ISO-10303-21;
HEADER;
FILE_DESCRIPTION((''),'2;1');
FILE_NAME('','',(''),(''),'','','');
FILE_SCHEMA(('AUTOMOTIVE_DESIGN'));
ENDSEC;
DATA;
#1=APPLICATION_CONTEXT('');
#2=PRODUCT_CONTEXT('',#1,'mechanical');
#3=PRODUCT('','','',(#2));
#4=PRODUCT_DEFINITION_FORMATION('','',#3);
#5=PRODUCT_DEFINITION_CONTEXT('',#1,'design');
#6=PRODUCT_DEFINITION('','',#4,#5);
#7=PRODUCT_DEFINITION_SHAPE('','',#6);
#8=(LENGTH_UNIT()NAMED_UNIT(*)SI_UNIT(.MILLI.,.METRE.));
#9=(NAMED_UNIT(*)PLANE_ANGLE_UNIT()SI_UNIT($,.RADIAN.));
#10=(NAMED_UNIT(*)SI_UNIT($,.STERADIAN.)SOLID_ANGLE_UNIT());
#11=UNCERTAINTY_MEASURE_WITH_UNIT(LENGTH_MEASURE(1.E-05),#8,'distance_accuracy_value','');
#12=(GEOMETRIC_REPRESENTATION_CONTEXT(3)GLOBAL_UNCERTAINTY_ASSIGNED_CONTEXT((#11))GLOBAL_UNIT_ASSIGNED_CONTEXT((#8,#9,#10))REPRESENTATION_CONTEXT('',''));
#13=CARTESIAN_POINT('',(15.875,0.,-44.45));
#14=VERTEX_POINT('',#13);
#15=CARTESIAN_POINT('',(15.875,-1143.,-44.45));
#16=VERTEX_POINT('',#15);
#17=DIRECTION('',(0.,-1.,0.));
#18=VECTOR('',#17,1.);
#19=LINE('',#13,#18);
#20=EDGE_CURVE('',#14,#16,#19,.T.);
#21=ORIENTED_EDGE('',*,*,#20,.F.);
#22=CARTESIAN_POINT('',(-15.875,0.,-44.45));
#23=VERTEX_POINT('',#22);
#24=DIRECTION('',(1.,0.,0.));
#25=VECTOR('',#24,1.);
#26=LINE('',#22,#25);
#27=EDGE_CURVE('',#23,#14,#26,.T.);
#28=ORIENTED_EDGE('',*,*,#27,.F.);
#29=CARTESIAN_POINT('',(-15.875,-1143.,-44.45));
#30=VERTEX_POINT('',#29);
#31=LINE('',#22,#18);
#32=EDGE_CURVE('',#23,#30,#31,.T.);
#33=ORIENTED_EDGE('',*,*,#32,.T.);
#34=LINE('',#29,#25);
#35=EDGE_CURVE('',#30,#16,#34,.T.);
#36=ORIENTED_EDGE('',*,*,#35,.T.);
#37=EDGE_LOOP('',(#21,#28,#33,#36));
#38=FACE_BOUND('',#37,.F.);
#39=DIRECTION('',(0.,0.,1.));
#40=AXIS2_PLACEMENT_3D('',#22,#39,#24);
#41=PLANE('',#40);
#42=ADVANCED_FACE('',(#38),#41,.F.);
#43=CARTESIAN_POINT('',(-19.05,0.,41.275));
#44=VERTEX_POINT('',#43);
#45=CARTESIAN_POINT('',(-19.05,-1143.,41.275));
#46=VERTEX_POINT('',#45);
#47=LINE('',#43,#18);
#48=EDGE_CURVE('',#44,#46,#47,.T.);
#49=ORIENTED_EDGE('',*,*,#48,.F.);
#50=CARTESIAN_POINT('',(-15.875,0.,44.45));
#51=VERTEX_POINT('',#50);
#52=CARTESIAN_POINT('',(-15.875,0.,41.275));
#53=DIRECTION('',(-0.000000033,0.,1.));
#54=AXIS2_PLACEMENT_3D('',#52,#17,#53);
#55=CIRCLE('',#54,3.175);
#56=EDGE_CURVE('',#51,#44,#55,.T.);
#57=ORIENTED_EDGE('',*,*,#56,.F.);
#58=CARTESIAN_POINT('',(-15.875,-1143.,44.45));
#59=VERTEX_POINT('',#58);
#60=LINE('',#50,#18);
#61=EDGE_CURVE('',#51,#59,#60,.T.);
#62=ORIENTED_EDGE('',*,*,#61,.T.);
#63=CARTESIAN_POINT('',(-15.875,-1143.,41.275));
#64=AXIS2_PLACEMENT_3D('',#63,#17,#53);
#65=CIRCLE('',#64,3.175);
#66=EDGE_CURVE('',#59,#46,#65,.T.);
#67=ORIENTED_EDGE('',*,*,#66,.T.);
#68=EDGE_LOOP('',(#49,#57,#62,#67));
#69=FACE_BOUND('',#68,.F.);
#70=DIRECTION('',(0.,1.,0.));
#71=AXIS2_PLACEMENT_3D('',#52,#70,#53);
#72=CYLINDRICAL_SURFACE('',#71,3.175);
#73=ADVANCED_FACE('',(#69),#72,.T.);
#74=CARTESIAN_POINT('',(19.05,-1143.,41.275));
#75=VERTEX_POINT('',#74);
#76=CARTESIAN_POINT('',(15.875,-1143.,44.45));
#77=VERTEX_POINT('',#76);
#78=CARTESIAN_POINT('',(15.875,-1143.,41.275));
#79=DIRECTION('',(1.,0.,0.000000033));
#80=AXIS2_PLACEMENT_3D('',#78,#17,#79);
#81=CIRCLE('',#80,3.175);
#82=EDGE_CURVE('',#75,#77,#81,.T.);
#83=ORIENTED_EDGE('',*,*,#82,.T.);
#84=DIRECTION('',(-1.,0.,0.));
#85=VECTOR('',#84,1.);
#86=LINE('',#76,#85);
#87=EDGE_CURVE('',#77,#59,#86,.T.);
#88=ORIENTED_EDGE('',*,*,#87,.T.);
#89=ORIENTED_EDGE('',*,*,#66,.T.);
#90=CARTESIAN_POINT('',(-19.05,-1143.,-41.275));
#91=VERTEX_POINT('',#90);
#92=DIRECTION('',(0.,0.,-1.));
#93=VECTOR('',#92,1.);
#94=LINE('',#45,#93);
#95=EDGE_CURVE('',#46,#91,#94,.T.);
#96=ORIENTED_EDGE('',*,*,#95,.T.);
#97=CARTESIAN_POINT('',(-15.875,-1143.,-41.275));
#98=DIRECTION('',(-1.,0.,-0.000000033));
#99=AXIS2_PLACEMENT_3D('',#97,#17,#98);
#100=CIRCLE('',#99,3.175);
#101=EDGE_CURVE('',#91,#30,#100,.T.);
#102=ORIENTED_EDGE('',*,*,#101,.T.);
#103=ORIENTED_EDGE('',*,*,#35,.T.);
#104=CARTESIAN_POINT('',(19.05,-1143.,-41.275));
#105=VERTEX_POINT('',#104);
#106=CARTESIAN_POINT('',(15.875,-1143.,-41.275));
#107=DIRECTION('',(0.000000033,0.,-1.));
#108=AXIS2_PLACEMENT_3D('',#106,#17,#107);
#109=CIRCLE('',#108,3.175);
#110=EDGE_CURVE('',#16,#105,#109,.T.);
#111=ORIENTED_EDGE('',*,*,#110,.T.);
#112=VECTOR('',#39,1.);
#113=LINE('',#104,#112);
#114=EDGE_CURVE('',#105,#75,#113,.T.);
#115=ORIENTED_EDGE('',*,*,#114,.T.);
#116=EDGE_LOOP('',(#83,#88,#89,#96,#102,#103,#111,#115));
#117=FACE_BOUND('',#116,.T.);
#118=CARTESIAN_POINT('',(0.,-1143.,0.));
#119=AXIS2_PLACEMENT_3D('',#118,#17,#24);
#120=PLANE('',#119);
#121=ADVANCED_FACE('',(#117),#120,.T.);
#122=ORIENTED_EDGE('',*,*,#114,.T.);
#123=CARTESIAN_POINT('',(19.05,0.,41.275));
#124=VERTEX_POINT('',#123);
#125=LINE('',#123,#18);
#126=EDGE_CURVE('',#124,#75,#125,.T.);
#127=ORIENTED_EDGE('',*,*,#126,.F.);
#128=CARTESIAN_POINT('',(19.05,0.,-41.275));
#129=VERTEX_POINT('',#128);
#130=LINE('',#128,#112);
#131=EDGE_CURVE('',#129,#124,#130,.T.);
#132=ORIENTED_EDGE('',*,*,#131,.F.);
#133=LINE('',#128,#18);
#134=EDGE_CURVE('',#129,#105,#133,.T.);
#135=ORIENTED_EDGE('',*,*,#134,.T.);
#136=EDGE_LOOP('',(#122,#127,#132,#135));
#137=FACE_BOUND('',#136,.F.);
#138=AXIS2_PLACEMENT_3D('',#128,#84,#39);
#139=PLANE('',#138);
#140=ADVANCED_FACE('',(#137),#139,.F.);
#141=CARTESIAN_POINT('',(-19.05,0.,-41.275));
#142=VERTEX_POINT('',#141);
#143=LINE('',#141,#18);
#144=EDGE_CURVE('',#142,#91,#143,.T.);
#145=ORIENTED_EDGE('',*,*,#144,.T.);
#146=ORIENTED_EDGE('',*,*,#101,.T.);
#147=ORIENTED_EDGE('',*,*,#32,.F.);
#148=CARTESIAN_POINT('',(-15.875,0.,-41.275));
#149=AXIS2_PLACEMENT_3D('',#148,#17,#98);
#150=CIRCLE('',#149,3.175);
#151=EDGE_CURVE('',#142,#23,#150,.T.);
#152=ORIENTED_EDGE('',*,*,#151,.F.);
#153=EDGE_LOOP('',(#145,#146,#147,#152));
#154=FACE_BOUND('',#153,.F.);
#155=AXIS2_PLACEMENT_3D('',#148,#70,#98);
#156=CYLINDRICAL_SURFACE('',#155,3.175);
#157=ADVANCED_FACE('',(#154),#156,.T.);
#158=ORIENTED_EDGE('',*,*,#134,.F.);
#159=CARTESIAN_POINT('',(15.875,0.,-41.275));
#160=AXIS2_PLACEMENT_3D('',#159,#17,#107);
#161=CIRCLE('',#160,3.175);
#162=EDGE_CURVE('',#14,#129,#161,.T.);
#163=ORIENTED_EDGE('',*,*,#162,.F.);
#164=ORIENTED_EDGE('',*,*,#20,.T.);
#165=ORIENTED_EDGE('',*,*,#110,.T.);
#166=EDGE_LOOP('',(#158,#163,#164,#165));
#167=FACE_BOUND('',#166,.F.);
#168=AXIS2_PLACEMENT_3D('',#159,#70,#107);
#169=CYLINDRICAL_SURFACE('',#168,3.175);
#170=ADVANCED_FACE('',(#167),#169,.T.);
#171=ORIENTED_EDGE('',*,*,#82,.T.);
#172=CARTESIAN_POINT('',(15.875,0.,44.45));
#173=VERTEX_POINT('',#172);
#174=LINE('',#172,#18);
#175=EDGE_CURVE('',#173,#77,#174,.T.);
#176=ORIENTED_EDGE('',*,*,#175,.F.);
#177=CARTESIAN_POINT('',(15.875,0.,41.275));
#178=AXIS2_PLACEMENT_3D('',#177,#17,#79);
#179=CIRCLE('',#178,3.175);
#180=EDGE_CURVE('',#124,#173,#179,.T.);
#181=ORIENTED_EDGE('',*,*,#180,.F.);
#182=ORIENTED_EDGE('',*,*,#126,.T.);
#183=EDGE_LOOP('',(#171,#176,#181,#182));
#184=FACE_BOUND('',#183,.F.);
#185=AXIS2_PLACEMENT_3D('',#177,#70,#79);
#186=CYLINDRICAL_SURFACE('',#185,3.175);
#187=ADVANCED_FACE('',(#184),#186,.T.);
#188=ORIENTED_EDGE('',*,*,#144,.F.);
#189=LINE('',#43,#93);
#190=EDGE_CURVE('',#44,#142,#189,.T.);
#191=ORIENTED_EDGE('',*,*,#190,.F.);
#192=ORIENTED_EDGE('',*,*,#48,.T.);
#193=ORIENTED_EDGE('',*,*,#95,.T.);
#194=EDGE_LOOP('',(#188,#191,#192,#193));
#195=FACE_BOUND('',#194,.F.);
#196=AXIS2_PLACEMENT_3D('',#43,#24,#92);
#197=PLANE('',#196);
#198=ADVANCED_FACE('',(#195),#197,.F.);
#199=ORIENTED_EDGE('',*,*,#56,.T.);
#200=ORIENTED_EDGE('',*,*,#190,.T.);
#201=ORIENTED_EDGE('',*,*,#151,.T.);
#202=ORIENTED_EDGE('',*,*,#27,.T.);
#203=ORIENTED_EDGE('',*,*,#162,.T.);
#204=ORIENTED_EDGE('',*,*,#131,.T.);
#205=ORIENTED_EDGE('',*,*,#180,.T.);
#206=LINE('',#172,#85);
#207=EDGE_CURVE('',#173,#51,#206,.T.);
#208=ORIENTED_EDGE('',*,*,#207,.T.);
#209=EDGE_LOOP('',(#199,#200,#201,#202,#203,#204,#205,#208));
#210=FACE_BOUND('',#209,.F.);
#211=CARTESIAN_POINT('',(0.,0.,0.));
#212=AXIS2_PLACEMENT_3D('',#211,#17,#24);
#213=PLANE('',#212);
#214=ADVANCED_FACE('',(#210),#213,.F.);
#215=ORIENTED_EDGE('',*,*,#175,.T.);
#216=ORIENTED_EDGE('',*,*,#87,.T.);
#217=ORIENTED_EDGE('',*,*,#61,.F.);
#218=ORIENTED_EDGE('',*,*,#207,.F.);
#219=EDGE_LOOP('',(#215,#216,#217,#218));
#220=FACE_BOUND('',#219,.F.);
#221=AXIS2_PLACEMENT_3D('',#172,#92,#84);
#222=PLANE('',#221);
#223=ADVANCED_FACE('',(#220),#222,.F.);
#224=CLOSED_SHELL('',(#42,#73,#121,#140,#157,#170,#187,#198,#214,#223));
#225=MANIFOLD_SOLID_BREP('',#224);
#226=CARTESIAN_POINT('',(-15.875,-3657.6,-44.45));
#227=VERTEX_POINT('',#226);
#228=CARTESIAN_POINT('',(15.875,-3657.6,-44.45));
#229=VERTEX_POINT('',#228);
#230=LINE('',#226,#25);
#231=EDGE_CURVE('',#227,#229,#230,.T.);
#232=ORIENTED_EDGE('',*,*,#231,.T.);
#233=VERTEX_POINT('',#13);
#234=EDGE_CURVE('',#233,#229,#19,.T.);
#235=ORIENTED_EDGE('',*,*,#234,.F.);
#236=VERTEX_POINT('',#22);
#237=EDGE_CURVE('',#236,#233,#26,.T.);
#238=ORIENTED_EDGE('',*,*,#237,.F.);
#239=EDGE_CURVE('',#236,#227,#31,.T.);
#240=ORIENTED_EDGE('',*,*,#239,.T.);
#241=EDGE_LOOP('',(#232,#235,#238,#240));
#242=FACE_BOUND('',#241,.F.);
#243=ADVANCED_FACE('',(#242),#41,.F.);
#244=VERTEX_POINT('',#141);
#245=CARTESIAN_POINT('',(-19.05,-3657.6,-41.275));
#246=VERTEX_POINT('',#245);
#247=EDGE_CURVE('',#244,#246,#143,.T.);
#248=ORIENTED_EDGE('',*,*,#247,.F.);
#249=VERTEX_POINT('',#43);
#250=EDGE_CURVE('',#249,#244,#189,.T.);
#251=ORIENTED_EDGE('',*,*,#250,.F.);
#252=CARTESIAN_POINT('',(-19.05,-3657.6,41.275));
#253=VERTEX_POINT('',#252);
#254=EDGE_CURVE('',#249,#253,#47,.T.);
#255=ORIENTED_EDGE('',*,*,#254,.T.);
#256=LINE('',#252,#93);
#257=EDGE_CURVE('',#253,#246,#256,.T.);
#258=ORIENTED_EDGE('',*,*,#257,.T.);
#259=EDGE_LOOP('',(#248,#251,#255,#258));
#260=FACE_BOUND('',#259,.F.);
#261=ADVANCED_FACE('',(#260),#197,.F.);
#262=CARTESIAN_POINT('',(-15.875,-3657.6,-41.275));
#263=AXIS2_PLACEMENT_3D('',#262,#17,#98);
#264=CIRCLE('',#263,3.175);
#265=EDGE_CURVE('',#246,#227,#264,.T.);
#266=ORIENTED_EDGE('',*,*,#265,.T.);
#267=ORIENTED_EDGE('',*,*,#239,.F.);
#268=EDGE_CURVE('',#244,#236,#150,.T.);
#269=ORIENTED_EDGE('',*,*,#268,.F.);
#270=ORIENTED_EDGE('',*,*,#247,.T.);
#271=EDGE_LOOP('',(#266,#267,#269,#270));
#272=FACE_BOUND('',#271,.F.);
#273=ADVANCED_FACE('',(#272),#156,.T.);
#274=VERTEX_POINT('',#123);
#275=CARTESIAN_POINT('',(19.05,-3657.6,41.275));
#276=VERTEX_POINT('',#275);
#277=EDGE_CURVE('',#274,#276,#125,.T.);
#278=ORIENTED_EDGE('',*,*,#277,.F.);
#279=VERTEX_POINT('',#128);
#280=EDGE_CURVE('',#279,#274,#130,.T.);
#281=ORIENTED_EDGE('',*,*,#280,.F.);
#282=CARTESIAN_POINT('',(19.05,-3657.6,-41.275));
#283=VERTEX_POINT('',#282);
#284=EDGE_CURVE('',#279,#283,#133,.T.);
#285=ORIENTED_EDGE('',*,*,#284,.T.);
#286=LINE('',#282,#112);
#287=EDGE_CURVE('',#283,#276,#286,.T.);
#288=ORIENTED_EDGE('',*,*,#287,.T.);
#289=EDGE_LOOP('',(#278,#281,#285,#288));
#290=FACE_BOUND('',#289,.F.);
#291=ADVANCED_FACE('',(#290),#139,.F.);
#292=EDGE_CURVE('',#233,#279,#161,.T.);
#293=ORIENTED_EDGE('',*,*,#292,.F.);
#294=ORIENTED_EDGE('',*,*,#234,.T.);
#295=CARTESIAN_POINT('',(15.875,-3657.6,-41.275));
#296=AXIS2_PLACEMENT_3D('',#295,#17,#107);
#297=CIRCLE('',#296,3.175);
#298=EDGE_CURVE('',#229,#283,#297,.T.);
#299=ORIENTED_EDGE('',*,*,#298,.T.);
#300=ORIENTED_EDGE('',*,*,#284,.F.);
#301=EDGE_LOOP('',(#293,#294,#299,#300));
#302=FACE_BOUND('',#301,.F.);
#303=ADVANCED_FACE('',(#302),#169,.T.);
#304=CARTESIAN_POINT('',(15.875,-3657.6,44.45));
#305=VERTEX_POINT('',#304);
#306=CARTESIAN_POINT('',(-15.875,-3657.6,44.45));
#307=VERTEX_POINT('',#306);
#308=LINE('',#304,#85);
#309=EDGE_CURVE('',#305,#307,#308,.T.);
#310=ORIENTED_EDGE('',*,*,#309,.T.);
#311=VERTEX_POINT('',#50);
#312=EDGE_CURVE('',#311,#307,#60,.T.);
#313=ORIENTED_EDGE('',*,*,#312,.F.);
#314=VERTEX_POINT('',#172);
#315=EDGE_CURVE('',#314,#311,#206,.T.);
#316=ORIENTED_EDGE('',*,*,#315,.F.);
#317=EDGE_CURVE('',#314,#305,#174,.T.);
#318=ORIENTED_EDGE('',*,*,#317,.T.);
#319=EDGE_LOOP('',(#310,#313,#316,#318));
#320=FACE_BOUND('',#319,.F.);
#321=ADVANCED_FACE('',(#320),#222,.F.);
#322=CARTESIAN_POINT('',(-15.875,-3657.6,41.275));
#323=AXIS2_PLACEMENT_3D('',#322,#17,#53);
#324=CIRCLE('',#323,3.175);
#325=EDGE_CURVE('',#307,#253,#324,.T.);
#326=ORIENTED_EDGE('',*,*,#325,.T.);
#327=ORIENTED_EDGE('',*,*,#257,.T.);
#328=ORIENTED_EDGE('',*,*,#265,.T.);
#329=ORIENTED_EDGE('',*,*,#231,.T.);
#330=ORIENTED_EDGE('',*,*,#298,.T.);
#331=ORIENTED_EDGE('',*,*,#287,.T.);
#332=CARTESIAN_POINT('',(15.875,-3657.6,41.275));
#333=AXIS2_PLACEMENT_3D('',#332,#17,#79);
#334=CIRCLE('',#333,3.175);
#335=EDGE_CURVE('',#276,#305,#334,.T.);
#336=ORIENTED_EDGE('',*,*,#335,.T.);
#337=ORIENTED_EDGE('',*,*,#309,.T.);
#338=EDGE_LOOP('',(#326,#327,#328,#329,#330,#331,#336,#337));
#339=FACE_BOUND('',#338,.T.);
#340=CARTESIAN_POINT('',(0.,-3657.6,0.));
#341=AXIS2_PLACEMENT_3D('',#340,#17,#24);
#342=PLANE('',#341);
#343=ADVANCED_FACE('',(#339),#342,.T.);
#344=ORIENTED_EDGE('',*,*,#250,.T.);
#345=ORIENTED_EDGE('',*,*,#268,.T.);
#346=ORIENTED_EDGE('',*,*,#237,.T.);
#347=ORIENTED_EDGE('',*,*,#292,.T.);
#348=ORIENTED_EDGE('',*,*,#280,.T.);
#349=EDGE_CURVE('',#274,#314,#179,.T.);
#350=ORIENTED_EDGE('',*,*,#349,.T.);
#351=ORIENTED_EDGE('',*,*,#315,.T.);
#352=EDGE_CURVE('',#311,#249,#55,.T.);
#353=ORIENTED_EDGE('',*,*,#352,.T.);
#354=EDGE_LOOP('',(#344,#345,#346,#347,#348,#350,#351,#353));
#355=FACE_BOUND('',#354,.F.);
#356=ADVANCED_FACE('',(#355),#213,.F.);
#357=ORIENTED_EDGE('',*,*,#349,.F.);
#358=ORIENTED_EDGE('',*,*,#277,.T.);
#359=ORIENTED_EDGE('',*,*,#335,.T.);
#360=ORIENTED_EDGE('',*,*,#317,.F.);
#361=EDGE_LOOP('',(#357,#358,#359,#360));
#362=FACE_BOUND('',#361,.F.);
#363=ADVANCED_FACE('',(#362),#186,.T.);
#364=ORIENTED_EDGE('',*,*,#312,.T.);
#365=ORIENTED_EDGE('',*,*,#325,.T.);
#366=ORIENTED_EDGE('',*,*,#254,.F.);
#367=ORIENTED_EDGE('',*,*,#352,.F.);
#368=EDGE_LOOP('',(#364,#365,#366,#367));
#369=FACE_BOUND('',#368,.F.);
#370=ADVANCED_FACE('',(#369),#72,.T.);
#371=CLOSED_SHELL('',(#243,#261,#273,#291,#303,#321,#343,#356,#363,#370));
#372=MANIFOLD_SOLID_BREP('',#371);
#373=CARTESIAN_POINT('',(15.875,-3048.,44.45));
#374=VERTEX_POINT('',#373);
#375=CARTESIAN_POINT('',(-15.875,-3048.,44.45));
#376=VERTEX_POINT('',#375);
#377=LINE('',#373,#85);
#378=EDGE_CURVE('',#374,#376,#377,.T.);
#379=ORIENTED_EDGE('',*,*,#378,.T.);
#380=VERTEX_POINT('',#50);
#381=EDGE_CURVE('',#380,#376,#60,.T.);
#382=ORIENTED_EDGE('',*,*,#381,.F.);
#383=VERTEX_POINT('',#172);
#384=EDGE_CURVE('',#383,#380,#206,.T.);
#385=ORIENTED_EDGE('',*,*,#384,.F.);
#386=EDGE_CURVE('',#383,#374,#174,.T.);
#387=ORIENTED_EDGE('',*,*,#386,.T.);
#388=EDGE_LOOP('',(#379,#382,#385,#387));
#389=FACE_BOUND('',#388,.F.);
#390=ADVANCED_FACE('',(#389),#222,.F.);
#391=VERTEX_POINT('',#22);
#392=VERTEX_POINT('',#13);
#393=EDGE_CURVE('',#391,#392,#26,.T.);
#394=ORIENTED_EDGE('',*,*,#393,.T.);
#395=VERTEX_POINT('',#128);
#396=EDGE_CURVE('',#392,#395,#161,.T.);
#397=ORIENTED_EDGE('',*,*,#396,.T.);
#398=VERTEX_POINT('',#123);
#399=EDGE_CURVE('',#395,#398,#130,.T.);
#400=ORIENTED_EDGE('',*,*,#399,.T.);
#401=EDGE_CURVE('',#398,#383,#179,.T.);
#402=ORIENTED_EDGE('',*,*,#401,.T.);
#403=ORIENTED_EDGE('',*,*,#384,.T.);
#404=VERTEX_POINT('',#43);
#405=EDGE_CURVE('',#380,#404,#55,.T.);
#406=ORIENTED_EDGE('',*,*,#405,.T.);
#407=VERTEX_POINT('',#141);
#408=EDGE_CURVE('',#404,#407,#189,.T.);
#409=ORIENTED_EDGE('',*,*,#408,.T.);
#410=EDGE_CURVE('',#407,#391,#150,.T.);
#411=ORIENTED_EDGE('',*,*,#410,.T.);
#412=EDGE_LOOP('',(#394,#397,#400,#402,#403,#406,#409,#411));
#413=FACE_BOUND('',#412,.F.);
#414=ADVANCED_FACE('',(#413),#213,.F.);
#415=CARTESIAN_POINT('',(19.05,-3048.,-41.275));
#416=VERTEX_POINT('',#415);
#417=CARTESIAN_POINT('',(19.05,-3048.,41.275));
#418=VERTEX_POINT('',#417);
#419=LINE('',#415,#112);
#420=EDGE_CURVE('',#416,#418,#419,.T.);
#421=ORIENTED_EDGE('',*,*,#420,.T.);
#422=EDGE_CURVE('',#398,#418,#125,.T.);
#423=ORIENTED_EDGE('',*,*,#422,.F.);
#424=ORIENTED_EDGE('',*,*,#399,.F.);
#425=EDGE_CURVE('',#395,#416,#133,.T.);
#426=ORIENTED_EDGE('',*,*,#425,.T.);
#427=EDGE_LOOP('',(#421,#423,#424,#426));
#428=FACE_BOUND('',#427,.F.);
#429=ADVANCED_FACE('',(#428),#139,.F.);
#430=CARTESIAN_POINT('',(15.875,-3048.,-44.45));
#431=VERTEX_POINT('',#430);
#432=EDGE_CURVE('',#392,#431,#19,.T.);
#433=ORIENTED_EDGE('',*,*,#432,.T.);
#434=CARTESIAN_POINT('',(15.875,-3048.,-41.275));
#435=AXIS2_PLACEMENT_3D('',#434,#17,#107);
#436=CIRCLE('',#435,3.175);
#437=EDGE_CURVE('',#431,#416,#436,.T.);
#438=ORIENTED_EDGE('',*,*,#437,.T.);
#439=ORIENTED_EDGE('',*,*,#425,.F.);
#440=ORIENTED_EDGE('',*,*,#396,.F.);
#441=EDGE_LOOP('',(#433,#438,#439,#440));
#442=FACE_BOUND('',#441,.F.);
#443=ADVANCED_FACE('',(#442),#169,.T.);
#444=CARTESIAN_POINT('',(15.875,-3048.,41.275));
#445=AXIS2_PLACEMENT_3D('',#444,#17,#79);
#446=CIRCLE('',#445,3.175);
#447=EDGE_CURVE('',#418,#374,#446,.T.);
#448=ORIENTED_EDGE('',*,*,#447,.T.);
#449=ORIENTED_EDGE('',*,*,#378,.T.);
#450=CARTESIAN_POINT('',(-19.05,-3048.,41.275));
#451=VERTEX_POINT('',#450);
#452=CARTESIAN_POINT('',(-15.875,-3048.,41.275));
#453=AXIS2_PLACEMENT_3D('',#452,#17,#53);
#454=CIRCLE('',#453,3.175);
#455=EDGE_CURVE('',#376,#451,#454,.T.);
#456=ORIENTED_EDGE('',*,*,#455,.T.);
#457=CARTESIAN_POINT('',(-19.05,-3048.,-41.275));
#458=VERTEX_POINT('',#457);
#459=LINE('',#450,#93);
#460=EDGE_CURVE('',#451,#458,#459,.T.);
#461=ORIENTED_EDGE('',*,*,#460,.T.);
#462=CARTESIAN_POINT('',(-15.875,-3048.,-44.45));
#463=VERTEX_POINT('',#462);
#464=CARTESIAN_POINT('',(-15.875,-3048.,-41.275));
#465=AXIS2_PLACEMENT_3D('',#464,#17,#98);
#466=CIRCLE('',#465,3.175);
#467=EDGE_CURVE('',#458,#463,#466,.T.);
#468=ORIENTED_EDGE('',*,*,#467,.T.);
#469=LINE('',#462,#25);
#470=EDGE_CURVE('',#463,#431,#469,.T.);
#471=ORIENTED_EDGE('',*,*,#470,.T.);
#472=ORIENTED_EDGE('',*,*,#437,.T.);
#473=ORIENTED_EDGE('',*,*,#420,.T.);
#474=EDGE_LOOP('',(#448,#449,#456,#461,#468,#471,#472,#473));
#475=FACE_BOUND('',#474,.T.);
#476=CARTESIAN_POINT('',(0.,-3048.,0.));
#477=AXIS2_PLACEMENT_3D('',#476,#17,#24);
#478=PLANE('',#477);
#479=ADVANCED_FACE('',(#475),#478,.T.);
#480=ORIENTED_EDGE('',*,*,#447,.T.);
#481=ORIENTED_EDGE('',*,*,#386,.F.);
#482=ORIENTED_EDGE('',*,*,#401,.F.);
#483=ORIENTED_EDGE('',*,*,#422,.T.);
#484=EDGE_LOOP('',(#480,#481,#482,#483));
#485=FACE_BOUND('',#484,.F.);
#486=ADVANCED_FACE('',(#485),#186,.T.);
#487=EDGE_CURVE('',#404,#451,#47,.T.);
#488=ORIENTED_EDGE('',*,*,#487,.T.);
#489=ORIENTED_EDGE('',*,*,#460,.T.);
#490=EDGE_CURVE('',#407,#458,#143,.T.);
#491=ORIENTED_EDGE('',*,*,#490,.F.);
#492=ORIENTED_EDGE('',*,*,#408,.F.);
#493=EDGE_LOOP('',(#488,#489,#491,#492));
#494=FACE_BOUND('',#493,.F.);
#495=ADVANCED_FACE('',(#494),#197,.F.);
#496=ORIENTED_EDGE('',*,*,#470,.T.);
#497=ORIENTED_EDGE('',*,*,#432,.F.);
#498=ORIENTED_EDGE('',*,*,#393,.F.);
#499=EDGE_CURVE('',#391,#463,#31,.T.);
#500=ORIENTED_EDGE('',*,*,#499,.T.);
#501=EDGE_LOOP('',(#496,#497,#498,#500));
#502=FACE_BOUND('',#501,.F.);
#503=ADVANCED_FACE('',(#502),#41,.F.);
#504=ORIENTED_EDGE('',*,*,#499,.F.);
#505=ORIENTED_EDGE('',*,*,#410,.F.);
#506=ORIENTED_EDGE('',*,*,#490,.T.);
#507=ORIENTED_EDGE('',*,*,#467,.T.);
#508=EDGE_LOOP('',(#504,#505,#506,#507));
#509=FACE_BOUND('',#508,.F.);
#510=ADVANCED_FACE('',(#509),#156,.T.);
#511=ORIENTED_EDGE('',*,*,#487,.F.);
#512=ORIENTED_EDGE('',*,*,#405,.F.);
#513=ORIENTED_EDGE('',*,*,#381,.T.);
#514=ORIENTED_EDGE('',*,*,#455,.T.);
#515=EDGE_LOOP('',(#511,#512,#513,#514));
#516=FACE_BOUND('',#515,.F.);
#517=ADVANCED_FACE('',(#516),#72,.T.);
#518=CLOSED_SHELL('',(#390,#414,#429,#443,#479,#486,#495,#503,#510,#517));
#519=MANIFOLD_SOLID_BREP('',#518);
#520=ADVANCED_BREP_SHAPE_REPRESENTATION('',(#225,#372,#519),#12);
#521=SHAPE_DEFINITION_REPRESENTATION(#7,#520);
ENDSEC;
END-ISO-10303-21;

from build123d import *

# Parameters (mm, degrees)
F1_DEPTH = 3657.6
F2_DEPTH = 1143
F3_DEPTH = 3048


with BuildPart() as f1:
    # F0 (on Front) → F1 (new body)
    with BuildSketch(Plane.XZ):
        with BuildLine():
            Line((15.875, 44.45), (-15.875, 44.45))
            ThreePointArc((-15.875, 44.45), (-18.120064, 43.520064), (-19.05, 41.275))
            Line((-19.05, 41.275), (-19.05, -41.275))
            ThreePointArc((-19.05, -41.275), (-18.120064, -43.520064), (-15.875, -44.45))
            Line((-15.875, -44.45), (15.875, -44.45))
            ThreePointArc((15.875, -44.45), (18.120064, -43.520064), (19.05, -41.275))
            Line((19.05, -41.275), (19.05, 41.275))
            ThreePointArc((19.05, 41.275), (18.120064, 43.520064), (15.875, 44.45))
        make_face()
    extrude(amount=F1_DEPTH)


with BuildPart() as f2:
    # F0 (on Front) → F2 (new body)
    with BuildSketch(Plane.XZ):
        with BuildLine():
            Line((15.875, 44.45), (-15.875, 44.45))
            ThreePointArc((-15.875, 44.45), (-18.120064, 43.520064), (-19.05, 41.275))
            Line((-19.05, 41.275), (-19.05, -41.275))
            ThreePointArc((-19.05, -41.275), (-18.120064, -43.520064), (-15.875, -44.45))
            Line((-15.875, -44.45), (15.875, -44.45))
            ThreePointArc((15.875, -44.45), (18.120064, -43.520064), (19.05, -41.275))
            Line((19.05, -41.275), (19.05, 41.275))
            ThreePointArc((19.05, 41.275), (18.120064, 43.520064), (15.875, 44.45))
        make_face()
    extrude(amount=F2_DEPTH)


with BuildPart() as f3:
    # F0 (on Front) → F3 (new body)
    with BuildSketch(Plane.XZ):
        with BuildLine():
            Line((15.875, 44.45), (-15.875, 44.45))
            ThreePointArc((-15.875, 44.45), (-18.120064, 43.520064), (-19.05, 41.275))
            Line((-19.05, 41.275), (-19.05, -41.275))
            ThreePointArc((-19.05, -41.275), (-18.120064, -43.520064), (-15.875, -44.45))
            Line((-15.875, -44.45), (15.875, -44.45))
            ThreePointArc((15.875, -44.45), (18.120064, -43.520064), (19.05, -41.275))
            Line((19.05, -41.275), (19.05, 41.275))
            ThreePointArc((19.05, 41.275), (18.120064, 43.520064), (15.875, 44.45))
        make_face()
    extrude(amount=F3_DEPTH)


solid = Compound([f1.part, f2.part, f3.part])
